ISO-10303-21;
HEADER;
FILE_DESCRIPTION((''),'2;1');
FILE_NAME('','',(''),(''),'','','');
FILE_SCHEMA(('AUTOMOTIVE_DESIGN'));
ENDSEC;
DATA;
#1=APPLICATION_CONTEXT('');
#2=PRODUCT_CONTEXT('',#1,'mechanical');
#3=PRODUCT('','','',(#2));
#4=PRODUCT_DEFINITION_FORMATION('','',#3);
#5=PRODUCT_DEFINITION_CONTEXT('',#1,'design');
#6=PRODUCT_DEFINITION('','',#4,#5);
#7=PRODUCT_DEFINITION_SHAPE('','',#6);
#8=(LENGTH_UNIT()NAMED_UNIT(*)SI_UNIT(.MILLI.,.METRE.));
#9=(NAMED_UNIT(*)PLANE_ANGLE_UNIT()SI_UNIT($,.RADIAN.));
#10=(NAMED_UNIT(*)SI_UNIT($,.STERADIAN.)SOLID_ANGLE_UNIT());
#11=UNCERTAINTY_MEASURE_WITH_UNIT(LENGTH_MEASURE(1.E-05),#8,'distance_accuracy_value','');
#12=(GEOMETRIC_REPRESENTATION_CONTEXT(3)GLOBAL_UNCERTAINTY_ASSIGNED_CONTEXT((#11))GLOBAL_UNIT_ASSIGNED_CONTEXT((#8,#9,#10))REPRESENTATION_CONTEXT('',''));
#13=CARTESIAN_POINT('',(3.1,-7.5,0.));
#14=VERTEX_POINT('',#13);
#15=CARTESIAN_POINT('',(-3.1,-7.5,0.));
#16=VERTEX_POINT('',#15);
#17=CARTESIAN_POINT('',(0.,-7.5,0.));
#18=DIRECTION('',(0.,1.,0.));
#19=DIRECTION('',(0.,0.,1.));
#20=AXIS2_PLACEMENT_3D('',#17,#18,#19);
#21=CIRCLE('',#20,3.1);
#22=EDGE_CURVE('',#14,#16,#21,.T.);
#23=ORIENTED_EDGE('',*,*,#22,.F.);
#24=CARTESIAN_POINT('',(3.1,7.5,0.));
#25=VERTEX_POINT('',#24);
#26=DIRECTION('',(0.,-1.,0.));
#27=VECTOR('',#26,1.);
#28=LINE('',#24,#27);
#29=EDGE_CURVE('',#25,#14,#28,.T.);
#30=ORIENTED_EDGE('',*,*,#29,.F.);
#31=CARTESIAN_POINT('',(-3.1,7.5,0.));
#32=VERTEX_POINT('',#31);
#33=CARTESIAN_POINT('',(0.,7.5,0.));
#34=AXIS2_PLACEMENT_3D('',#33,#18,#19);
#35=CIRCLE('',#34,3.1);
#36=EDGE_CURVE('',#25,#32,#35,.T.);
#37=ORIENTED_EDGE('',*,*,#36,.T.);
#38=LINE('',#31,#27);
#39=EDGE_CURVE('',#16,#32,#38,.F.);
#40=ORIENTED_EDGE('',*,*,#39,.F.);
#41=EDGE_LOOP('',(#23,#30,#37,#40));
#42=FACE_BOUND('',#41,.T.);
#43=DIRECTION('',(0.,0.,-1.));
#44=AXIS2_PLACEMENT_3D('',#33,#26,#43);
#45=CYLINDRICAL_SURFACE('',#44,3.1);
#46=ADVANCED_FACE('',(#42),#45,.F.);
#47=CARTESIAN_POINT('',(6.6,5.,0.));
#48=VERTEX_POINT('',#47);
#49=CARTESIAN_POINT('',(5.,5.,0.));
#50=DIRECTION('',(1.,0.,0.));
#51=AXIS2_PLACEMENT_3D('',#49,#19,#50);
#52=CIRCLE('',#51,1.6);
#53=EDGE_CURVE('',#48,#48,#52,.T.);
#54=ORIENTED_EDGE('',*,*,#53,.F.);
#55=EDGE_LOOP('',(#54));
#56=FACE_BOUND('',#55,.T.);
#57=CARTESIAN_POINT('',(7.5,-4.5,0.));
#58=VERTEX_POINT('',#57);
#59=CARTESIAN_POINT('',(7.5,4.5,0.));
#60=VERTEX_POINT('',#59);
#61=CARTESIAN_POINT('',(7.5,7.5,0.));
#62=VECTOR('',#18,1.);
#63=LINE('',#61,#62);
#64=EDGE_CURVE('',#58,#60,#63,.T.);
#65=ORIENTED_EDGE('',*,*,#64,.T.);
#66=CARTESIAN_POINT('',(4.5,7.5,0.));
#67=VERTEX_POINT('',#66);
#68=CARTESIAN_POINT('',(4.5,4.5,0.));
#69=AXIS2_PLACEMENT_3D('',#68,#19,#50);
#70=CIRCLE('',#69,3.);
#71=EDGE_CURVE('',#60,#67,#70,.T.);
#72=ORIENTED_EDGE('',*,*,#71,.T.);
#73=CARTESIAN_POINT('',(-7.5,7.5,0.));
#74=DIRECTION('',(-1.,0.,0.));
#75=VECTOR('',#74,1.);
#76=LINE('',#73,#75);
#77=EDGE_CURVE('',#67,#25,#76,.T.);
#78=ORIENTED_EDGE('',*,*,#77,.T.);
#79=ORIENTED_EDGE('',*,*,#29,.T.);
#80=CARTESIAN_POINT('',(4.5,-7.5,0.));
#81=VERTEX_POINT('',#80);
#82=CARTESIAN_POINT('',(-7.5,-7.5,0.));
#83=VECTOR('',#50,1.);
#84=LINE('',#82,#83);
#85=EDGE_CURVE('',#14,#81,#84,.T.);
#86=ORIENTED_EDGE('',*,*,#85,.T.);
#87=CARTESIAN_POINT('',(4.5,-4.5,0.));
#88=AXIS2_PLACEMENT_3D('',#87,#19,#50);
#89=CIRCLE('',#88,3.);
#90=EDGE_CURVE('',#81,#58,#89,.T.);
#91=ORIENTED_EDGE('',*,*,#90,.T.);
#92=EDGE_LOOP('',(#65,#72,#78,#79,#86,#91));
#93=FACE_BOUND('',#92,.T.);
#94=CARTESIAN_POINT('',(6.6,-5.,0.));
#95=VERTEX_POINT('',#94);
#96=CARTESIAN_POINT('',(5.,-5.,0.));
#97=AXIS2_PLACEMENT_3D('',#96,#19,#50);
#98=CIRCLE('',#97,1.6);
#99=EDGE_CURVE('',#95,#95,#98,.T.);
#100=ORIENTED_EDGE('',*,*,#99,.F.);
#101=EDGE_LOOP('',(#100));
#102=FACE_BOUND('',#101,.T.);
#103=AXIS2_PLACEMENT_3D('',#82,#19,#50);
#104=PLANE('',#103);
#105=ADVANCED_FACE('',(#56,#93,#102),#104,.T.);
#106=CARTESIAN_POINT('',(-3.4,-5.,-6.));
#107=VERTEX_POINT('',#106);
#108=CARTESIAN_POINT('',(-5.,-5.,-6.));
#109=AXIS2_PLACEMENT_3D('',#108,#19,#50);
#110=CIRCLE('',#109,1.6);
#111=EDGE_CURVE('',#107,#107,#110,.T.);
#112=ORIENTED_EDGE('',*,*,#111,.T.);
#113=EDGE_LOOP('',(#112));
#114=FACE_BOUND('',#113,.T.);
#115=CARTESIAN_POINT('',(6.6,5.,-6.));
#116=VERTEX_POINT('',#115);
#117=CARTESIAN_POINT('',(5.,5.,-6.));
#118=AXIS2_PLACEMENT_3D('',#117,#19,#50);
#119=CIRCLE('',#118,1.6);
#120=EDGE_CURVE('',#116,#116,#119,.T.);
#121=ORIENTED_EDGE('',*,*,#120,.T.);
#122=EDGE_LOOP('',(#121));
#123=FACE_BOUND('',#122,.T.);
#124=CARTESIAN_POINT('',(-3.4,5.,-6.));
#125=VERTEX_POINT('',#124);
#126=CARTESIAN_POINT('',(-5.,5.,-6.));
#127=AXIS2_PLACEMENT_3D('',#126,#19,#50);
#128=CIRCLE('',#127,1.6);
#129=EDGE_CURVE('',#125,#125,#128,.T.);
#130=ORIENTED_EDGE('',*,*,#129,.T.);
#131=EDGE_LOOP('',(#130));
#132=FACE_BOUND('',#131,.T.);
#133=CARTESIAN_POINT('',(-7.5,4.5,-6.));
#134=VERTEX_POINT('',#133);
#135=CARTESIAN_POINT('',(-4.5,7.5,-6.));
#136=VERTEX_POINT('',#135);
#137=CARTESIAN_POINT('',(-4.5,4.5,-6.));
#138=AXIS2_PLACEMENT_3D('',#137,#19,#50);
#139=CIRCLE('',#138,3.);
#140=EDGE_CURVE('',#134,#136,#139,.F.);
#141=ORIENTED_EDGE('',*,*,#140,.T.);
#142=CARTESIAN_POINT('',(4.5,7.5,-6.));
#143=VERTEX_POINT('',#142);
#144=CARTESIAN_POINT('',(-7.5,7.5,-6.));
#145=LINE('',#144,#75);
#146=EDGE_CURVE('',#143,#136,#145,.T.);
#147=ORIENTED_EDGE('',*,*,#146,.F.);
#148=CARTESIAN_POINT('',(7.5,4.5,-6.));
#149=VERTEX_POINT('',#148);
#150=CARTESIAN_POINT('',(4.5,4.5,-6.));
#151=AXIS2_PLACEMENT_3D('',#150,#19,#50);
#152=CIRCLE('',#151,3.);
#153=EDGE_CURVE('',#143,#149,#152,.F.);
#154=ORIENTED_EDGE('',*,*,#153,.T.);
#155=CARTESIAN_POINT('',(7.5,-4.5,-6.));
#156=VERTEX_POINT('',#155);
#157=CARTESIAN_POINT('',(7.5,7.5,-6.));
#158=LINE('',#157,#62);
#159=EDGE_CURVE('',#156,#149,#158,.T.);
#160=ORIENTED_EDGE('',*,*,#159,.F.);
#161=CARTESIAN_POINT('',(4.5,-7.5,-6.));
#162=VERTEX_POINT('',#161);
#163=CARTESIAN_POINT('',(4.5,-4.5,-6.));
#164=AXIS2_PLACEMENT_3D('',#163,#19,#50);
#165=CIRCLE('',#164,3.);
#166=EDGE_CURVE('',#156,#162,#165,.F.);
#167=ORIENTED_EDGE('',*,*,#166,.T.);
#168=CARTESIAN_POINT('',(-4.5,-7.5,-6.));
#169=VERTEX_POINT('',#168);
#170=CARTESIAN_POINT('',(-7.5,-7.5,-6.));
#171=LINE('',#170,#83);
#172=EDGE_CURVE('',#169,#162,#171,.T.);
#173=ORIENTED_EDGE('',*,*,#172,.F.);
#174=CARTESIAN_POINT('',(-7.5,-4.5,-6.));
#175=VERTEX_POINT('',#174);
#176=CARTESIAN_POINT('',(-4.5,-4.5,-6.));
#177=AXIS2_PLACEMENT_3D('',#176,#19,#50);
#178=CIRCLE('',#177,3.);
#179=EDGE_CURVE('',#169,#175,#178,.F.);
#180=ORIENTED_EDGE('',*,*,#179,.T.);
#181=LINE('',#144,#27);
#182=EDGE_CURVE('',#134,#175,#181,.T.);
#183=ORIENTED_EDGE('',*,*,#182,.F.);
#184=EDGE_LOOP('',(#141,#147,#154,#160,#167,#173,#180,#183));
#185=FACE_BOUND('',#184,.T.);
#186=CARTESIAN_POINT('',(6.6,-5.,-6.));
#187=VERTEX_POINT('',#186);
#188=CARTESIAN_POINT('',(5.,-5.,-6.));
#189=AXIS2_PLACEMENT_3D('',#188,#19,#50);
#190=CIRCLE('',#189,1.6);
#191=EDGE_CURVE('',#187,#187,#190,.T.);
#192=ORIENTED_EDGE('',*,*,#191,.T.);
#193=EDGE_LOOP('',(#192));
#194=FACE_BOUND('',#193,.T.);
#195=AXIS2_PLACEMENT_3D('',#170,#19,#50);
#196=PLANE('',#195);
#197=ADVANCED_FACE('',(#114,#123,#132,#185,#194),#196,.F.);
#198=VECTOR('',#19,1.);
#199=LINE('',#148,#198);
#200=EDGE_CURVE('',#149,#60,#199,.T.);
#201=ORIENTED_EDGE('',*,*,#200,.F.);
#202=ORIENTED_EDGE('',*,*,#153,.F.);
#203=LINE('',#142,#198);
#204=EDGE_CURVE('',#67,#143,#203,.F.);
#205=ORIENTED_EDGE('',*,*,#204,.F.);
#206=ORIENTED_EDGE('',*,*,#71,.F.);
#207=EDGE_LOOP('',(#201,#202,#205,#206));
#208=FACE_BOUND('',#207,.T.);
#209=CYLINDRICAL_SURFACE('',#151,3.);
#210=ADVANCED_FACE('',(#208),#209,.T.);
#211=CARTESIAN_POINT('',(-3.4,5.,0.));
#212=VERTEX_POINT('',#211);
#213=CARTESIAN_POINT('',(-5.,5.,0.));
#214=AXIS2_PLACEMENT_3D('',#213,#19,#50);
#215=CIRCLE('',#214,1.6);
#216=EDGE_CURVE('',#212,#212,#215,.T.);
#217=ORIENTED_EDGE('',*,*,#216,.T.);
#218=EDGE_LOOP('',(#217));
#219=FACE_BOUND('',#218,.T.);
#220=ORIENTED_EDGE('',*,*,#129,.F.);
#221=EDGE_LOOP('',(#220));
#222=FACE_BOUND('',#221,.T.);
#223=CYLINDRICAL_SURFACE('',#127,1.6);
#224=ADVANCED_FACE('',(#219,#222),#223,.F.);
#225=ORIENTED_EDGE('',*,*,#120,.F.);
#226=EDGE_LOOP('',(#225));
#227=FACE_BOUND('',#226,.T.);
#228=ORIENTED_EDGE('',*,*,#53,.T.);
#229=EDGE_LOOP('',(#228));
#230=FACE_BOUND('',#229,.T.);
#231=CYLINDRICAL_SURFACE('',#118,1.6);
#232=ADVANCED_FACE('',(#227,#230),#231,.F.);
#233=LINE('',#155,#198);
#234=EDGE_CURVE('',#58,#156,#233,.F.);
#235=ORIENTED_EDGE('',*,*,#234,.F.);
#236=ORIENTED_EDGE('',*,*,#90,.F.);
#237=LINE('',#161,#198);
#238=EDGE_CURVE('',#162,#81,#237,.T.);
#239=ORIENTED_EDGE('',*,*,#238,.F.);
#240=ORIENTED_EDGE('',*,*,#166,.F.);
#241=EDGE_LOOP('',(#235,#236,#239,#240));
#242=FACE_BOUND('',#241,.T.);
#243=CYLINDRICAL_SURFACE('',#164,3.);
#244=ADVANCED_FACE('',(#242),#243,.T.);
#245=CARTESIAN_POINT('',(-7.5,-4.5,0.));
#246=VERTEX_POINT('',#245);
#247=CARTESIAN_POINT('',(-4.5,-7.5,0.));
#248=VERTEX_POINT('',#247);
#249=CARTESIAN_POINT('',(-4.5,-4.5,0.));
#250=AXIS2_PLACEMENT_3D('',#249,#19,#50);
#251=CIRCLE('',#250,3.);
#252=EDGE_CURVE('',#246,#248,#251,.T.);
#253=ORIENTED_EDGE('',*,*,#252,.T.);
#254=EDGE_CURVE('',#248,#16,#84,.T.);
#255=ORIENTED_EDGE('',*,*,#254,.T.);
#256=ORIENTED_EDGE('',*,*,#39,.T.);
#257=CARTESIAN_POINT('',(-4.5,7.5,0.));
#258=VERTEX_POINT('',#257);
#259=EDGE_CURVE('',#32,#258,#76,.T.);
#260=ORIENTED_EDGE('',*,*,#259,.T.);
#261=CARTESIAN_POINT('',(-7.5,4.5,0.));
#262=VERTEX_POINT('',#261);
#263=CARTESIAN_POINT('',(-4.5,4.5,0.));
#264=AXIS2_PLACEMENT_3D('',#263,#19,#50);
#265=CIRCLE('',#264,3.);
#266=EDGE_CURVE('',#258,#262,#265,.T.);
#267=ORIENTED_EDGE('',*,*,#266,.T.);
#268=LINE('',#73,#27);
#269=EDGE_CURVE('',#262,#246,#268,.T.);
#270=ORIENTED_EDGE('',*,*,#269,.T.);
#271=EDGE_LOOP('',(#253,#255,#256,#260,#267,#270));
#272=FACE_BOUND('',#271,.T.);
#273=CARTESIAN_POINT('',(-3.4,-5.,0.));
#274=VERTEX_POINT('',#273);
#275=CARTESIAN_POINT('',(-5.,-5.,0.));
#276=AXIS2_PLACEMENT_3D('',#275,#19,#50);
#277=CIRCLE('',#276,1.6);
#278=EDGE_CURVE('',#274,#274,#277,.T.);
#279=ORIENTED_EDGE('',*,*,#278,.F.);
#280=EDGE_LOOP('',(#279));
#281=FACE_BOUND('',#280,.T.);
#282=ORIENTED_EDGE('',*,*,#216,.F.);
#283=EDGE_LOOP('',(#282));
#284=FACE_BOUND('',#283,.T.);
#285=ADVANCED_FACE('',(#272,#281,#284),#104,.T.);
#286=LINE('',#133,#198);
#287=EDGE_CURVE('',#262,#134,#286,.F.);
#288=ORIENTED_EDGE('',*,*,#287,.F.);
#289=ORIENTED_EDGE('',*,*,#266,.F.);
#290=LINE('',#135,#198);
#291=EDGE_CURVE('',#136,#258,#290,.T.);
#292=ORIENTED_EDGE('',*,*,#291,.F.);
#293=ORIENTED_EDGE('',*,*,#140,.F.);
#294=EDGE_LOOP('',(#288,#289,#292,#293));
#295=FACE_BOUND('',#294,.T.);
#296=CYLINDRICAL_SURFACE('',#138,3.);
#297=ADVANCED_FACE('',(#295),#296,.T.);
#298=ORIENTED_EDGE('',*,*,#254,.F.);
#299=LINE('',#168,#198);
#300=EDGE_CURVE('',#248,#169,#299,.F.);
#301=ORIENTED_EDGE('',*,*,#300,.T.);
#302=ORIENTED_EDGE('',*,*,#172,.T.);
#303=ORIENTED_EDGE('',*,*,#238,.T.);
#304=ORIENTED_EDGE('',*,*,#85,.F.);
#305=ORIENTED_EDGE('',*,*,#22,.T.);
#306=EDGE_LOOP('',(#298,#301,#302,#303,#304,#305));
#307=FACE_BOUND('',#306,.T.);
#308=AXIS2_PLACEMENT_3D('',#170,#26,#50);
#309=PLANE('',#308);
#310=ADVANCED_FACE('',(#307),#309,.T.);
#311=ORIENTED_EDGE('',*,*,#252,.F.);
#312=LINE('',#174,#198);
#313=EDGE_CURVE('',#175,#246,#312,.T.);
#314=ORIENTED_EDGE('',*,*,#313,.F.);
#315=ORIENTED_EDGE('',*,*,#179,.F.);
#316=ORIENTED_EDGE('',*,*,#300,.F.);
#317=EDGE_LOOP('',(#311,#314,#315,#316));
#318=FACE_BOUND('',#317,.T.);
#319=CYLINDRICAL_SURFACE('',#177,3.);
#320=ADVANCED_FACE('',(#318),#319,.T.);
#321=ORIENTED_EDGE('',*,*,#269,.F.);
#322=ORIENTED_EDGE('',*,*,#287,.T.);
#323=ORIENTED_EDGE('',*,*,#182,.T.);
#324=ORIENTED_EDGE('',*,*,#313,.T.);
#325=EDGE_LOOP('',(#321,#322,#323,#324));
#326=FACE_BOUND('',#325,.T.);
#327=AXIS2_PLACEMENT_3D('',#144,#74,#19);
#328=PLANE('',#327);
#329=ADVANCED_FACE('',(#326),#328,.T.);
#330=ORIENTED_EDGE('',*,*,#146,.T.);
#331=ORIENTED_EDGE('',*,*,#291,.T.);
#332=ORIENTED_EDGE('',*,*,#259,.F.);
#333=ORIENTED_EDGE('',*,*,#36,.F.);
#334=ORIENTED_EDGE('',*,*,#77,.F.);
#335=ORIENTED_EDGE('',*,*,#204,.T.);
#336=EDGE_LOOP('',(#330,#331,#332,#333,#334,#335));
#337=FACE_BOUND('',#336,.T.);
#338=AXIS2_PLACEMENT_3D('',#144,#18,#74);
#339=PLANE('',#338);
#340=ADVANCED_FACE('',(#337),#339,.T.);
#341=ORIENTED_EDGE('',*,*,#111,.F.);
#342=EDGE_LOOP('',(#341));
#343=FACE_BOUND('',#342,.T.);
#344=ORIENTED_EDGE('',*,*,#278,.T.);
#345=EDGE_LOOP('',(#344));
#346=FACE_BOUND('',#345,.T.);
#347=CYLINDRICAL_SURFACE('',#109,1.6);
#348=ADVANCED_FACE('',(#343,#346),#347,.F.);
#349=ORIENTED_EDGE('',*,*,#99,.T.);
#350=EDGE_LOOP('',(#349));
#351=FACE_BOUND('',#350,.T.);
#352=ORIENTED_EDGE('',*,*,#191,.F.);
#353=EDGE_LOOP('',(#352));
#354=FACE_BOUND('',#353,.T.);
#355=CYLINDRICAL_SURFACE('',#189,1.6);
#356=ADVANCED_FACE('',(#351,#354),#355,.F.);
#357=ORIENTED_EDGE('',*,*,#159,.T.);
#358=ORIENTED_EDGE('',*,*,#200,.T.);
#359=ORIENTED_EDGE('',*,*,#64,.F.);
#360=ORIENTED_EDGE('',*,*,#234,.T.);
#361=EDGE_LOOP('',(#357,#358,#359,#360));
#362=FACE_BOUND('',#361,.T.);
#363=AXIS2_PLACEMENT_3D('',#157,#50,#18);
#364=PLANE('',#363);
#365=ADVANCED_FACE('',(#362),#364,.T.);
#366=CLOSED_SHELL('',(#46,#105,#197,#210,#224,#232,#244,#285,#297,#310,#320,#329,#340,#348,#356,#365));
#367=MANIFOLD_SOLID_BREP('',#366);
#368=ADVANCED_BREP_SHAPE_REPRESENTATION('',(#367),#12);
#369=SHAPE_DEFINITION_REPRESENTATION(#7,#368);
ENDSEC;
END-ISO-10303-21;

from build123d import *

# Parameters (mm, degrees)
SKIZZE1_W                            = 15
SKIZZE1_H                            = 15
SKIZZE1_R                            = 1.6
AUFSATZ_LINEAR_AUSTRAGEN1_DEPTH      = 6
SCHNITT_LINEAR_AUSTRAGEN1_DEPTH      = 13.186057607
SCHNITT_LINEAR_AUSTRAGEN1_DEPTH_BACK = 13.186057607
SKIZZE2_R                            = 3.1
VERRUNDUNG1_R                        = 3


with BuildPart() as part:
    # Skizze1 → Aufsatz-Linear austragen1 (new body)
    with BuildSketch(Plane.XY):
        Rectangle(SKIZZE1_W, SKIZZE1_H)
        with Locations((5, 5)):
            Circle(SKIZZE1_R, mode=Mode.SUBTRACT)
        with Locations((-5, 5)):
            Circle(SKIZZE1_R, mode=Mode.SUBTRACT)
        with Locations((-5, -5)):
            Circle(SKIZZE1_R, mode=Mode.SUBTRACT)
        with Locations((5, -5)):
            Circle(SKIZZE1_R, mode=Mode.SUBTRACT)
    extrude(amount=-AUFSATZ_LINEAR_AUSTRAGEN1_DEPTH)

    # Skizze2 → Schnitt-Linear austragen1 (cut, two sides: drawn at the far end of the back side and taken through both)
    with BuildSketch(Plane(origin=(0, 0, 0), x_dir=(1, 0, 0), z_dir=(0, 1, 0)).offset(-SCHNITT_LINEAR_AUSTRAGEN1_DEPTH_BACK)):
        Circle(SKIZZE2_R)
    extrude(amount=SCHNITT_LINEAR_AUSTRAGEN1_DEPTH + SCHNITT_LINEAR_AUSTRAGEN1_DEPTH_BACK, mode=Mode.SUBTRACT)

    # Verrundung1
    verrundung1_edges = [part.edges().sort_by_distance(p)[0] for p in [
        (-7.5, 7.5, -3),
        (7.5, 7.5, -3),
        (7.5, -7.5, -3),
        (-7.5, -7.5, -3),
    ]]
    fillet(verrundung1_edges, radius=VERRUNDUNG1_R)


solid = part.part
